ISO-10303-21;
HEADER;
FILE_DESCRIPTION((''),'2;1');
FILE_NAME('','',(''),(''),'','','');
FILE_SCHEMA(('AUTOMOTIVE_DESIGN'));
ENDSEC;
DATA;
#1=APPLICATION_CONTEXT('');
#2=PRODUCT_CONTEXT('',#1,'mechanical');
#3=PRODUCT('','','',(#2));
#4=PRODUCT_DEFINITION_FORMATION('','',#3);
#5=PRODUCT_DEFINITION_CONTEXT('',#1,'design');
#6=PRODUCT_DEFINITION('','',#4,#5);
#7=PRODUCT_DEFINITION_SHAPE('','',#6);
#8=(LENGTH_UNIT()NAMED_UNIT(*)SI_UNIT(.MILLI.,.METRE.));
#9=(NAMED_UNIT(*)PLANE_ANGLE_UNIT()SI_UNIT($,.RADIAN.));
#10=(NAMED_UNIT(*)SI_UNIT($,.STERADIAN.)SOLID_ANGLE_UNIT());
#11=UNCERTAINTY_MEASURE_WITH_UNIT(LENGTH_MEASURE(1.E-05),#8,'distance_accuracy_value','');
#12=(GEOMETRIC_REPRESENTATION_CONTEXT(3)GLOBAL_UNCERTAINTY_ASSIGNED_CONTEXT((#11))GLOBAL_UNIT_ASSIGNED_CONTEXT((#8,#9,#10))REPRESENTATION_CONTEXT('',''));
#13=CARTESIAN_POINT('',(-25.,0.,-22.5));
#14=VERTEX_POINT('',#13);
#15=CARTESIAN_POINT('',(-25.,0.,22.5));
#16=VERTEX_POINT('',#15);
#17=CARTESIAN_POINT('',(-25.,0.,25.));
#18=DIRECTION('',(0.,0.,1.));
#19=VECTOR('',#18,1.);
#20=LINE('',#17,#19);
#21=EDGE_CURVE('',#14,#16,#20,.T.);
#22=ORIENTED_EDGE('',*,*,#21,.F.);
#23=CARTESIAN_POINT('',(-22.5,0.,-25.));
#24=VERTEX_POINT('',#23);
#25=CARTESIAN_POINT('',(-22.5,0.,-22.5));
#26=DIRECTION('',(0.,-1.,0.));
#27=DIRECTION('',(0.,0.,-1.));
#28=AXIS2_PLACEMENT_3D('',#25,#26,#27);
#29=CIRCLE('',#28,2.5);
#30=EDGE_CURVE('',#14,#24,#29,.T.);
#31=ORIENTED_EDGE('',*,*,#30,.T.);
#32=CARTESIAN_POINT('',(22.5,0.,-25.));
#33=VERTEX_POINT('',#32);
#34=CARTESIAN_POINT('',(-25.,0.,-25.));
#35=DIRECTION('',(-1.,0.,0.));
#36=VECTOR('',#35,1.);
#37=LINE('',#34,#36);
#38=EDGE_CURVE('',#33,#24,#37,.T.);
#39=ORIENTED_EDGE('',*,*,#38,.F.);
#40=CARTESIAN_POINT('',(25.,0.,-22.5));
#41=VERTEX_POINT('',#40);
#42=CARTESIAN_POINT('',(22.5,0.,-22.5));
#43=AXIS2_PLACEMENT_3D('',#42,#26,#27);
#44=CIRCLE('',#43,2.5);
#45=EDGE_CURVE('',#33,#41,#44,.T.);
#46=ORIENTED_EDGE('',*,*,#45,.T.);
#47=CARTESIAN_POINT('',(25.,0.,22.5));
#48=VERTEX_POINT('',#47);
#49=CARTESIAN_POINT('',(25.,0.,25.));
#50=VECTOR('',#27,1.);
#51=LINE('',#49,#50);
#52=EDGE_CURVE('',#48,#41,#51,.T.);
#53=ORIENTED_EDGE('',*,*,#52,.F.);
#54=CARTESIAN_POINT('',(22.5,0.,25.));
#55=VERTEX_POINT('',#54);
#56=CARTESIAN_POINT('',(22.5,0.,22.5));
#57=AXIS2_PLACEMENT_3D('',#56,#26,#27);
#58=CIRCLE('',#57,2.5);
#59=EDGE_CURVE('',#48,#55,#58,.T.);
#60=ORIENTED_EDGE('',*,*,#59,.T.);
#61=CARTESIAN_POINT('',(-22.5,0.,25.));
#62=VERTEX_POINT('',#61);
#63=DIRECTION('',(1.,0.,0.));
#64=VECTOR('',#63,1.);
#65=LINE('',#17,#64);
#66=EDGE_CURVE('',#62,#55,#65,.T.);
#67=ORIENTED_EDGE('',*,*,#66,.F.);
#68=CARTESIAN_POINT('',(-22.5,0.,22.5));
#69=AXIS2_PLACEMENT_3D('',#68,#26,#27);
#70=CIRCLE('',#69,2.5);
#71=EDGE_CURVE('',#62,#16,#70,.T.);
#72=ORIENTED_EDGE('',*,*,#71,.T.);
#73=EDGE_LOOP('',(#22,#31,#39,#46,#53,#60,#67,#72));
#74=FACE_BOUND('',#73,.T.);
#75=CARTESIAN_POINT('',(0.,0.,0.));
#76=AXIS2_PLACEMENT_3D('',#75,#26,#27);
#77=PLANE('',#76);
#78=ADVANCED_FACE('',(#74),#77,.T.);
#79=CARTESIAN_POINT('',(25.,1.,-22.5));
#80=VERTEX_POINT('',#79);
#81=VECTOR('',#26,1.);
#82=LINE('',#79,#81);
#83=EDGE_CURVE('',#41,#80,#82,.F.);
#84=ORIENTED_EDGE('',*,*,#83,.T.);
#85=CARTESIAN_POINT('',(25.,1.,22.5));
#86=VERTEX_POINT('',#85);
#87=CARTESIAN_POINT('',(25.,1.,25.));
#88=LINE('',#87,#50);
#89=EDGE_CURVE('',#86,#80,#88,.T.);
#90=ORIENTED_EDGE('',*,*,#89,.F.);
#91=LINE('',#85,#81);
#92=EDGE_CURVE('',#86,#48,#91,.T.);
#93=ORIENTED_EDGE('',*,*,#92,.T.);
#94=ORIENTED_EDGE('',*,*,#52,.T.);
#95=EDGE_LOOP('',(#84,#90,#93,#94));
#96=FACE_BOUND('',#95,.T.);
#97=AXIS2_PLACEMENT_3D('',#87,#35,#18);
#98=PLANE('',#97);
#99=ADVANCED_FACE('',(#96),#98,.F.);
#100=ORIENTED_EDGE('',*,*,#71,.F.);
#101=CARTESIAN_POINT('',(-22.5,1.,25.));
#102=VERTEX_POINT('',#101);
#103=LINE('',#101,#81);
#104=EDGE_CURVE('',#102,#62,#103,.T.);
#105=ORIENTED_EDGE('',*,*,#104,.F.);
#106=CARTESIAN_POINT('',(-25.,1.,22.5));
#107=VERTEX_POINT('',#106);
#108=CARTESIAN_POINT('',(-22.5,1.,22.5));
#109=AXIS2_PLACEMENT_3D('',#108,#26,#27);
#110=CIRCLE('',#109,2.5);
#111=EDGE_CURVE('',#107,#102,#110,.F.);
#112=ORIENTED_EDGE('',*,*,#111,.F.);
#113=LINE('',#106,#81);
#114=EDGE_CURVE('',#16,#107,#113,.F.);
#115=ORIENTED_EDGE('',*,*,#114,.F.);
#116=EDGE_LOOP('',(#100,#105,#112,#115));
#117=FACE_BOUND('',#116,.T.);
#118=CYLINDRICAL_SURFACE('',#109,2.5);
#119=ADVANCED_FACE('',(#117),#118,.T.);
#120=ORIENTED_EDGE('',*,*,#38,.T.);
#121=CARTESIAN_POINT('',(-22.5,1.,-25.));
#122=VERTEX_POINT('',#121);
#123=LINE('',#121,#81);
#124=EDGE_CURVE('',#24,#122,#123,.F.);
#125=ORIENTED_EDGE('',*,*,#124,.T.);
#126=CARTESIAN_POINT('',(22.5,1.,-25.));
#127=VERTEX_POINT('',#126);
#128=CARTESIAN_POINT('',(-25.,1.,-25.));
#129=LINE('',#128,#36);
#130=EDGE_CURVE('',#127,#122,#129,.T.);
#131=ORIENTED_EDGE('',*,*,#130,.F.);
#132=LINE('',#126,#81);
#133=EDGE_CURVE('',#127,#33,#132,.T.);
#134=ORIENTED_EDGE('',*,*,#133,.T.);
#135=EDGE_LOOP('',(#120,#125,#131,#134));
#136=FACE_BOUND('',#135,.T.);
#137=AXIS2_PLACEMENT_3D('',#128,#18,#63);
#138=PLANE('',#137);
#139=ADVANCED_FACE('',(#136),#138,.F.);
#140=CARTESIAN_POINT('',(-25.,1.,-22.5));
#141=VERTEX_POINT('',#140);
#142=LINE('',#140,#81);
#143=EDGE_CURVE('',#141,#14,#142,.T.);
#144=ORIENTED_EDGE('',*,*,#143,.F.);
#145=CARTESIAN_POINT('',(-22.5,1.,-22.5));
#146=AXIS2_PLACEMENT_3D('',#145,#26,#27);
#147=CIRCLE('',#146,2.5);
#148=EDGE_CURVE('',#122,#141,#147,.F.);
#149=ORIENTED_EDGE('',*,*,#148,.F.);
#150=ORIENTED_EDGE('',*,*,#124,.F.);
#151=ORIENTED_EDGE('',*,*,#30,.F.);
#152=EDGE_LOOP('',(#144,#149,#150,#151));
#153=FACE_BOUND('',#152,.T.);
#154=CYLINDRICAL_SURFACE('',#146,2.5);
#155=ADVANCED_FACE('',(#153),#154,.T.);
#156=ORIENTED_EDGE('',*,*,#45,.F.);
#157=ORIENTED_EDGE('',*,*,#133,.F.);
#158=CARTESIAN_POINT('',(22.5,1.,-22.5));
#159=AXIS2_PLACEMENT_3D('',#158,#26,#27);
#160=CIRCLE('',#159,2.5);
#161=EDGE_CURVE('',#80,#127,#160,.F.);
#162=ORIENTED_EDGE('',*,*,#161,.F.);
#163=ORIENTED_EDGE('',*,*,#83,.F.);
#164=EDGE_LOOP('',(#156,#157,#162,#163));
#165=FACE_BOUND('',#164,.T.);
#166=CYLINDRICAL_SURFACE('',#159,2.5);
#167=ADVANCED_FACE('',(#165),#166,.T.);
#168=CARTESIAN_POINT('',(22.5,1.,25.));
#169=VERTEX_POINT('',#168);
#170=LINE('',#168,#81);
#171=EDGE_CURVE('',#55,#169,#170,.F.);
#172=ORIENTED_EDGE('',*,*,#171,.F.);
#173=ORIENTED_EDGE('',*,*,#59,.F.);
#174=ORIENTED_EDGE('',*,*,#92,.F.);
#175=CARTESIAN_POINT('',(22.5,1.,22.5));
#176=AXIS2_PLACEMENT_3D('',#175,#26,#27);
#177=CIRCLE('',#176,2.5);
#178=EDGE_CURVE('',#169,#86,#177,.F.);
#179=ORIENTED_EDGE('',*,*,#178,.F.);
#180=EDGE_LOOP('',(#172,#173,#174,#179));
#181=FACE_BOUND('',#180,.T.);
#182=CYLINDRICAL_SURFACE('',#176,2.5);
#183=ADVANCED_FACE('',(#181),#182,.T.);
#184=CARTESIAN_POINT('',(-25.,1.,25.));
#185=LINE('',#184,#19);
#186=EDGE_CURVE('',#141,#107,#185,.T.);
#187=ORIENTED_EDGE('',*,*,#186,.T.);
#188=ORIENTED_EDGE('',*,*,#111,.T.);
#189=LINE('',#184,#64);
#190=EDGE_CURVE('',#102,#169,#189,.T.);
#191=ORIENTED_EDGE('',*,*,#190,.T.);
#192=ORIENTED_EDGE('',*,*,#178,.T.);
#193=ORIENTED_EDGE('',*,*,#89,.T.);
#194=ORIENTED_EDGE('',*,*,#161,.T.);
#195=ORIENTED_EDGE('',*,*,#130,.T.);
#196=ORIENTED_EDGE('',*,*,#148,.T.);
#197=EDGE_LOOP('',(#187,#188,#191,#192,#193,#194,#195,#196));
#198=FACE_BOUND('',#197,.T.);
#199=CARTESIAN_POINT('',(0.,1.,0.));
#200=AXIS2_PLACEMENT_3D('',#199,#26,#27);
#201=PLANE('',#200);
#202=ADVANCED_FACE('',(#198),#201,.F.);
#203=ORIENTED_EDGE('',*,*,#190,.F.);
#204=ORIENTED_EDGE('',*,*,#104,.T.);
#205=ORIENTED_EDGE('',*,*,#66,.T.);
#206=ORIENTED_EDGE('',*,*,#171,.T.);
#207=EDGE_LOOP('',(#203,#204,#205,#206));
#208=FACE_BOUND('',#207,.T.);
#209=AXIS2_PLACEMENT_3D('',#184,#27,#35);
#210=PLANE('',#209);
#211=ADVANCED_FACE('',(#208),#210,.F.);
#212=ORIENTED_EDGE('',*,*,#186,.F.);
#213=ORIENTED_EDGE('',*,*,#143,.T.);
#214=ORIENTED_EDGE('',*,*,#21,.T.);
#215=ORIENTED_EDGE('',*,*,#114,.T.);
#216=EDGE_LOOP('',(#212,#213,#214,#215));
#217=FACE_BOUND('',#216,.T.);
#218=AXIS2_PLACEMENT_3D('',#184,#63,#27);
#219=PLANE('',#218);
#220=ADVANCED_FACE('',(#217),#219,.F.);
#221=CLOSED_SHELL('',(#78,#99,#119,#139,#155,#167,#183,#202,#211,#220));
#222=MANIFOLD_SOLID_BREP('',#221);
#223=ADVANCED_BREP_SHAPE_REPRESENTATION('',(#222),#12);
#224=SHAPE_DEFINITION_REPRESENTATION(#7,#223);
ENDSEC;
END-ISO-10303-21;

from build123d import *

# Parameters (mm, degrees)
SKETCH1_W           = 50
SKETCH1_H           = 50
BOSS_EXTRUDE1_DEPTH = 1
FILLET1_R           = 2.5


with BuildPart() as part:
    # Sketch1 → Boss-Extrude1 (new body)
    with BuildSketch(Plane(origin=(0, 0, 0), x_dir=(1, 0, 0), z_dir=(0, 1, 0))):
        Rectangle(SKETCH1_W, SKETCH1_H)
    extrude(amount=BOSS_EXTRUDE1_DEPTH)

    # Fillet1
    fillet1_edges = [part.edges().sort_by_distance(p)[0] for p in [
        (25, 0.5, 25),
        (-25, 0.5, 25),
        (-25, 0.5, -25),
        (25, 0.5, -25),
    ]]
    fillet(fillet1_edges, radius=FILLET1_R)


solid = part.part
